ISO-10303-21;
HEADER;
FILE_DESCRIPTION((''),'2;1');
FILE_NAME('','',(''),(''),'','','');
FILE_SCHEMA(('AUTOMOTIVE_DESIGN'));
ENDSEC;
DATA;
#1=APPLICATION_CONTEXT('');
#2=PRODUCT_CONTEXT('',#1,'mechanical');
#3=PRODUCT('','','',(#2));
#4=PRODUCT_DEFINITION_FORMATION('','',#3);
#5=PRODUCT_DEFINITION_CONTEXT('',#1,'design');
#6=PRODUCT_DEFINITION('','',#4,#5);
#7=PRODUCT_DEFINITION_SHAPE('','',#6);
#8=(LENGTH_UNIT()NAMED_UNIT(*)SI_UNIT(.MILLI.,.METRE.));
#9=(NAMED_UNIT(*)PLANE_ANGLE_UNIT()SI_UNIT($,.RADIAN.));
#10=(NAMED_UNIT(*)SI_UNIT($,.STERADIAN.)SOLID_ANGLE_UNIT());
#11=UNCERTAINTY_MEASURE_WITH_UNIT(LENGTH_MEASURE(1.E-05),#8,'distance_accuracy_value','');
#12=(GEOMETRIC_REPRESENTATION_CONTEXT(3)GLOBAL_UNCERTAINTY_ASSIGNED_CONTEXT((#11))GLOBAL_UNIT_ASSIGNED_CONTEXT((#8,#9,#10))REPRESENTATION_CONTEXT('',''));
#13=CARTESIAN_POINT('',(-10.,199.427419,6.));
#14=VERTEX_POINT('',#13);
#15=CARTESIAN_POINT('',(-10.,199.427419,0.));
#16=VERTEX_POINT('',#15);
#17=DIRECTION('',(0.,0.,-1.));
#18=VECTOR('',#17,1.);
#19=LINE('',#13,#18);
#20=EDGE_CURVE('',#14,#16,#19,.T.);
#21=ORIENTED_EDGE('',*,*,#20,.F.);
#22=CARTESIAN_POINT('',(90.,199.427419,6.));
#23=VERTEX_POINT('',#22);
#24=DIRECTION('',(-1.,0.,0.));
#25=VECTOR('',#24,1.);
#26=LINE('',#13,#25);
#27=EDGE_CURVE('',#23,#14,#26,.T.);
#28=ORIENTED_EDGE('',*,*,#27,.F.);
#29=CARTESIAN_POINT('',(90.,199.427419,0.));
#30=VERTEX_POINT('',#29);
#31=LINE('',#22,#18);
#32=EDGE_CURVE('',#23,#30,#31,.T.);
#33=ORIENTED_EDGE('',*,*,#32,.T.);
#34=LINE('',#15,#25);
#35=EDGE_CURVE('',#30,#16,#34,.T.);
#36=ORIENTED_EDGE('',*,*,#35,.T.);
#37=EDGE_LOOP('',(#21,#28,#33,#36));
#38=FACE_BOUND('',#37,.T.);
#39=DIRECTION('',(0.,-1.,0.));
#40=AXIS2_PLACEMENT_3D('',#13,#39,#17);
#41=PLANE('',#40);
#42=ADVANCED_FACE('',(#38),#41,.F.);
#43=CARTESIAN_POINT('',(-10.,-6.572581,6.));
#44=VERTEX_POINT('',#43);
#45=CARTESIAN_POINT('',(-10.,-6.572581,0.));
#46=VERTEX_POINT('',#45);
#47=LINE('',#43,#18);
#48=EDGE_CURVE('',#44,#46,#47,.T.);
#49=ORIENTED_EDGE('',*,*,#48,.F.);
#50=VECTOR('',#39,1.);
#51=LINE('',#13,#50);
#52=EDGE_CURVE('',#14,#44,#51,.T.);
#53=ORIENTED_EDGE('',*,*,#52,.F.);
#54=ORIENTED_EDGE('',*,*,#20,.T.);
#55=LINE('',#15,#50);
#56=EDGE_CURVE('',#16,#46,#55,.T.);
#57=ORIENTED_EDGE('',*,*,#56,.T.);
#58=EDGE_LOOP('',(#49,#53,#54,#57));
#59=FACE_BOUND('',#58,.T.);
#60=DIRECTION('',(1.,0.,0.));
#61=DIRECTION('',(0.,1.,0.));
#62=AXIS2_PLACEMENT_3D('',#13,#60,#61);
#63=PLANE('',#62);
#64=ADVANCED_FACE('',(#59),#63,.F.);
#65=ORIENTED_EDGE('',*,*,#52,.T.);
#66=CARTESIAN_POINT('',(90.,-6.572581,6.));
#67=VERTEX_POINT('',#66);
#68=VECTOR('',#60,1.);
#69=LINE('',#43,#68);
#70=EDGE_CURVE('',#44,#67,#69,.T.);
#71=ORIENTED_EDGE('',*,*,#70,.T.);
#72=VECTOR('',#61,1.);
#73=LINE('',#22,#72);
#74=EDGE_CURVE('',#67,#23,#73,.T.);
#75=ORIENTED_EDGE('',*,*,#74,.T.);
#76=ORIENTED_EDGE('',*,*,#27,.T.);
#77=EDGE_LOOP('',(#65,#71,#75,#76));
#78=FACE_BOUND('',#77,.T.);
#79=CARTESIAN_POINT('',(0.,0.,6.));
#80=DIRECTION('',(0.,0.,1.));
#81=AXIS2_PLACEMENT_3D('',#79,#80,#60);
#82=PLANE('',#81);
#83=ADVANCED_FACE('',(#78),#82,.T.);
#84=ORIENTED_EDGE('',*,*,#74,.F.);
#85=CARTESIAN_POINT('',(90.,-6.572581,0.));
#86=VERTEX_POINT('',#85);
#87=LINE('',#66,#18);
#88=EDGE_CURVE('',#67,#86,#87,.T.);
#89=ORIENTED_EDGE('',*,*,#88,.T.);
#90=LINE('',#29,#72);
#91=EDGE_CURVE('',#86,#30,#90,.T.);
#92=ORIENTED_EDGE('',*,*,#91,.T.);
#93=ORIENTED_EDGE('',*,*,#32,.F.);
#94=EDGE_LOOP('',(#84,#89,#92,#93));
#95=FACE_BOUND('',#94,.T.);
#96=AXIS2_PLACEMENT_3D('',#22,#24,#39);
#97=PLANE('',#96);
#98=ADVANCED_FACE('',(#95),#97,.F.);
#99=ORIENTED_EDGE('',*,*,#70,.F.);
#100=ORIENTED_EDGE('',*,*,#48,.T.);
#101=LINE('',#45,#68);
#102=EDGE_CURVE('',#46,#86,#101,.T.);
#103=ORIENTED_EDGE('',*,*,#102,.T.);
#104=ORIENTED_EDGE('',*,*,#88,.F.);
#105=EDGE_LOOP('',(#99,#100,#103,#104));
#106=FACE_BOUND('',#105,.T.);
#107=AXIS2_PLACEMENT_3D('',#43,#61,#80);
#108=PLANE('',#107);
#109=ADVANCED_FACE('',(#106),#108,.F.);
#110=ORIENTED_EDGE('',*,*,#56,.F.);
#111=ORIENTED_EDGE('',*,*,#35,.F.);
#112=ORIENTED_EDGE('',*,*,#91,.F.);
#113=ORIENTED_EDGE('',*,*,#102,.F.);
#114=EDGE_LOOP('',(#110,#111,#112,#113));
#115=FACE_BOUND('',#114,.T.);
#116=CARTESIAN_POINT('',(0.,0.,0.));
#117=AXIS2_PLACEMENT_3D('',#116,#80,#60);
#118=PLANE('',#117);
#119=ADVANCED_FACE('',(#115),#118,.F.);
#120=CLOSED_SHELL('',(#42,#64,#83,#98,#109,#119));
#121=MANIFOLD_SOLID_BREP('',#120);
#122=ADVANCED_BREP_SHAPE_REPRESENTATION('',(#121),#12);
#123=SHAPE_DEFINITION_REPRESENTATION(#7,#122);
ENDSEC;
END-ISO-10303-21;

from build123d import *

# Parameters (mm, degrees)
SKETCH1_W           = 100
SKETCH1_H           = 206
BOSS_EXTRUDE1_DEPTH = 6


with BuildPart() as part:
    # Sketch1 → Boss-Extrude1 (new body)
    with BuildSketch(Plane.XY):
        with Locations((40, 96.427419355)):
            Rectangle(SKETCH1_W, SKETCH1_H)
    extrude(amount=BOSS_EXTRUDE1_DEPTH)


solid = part.part
